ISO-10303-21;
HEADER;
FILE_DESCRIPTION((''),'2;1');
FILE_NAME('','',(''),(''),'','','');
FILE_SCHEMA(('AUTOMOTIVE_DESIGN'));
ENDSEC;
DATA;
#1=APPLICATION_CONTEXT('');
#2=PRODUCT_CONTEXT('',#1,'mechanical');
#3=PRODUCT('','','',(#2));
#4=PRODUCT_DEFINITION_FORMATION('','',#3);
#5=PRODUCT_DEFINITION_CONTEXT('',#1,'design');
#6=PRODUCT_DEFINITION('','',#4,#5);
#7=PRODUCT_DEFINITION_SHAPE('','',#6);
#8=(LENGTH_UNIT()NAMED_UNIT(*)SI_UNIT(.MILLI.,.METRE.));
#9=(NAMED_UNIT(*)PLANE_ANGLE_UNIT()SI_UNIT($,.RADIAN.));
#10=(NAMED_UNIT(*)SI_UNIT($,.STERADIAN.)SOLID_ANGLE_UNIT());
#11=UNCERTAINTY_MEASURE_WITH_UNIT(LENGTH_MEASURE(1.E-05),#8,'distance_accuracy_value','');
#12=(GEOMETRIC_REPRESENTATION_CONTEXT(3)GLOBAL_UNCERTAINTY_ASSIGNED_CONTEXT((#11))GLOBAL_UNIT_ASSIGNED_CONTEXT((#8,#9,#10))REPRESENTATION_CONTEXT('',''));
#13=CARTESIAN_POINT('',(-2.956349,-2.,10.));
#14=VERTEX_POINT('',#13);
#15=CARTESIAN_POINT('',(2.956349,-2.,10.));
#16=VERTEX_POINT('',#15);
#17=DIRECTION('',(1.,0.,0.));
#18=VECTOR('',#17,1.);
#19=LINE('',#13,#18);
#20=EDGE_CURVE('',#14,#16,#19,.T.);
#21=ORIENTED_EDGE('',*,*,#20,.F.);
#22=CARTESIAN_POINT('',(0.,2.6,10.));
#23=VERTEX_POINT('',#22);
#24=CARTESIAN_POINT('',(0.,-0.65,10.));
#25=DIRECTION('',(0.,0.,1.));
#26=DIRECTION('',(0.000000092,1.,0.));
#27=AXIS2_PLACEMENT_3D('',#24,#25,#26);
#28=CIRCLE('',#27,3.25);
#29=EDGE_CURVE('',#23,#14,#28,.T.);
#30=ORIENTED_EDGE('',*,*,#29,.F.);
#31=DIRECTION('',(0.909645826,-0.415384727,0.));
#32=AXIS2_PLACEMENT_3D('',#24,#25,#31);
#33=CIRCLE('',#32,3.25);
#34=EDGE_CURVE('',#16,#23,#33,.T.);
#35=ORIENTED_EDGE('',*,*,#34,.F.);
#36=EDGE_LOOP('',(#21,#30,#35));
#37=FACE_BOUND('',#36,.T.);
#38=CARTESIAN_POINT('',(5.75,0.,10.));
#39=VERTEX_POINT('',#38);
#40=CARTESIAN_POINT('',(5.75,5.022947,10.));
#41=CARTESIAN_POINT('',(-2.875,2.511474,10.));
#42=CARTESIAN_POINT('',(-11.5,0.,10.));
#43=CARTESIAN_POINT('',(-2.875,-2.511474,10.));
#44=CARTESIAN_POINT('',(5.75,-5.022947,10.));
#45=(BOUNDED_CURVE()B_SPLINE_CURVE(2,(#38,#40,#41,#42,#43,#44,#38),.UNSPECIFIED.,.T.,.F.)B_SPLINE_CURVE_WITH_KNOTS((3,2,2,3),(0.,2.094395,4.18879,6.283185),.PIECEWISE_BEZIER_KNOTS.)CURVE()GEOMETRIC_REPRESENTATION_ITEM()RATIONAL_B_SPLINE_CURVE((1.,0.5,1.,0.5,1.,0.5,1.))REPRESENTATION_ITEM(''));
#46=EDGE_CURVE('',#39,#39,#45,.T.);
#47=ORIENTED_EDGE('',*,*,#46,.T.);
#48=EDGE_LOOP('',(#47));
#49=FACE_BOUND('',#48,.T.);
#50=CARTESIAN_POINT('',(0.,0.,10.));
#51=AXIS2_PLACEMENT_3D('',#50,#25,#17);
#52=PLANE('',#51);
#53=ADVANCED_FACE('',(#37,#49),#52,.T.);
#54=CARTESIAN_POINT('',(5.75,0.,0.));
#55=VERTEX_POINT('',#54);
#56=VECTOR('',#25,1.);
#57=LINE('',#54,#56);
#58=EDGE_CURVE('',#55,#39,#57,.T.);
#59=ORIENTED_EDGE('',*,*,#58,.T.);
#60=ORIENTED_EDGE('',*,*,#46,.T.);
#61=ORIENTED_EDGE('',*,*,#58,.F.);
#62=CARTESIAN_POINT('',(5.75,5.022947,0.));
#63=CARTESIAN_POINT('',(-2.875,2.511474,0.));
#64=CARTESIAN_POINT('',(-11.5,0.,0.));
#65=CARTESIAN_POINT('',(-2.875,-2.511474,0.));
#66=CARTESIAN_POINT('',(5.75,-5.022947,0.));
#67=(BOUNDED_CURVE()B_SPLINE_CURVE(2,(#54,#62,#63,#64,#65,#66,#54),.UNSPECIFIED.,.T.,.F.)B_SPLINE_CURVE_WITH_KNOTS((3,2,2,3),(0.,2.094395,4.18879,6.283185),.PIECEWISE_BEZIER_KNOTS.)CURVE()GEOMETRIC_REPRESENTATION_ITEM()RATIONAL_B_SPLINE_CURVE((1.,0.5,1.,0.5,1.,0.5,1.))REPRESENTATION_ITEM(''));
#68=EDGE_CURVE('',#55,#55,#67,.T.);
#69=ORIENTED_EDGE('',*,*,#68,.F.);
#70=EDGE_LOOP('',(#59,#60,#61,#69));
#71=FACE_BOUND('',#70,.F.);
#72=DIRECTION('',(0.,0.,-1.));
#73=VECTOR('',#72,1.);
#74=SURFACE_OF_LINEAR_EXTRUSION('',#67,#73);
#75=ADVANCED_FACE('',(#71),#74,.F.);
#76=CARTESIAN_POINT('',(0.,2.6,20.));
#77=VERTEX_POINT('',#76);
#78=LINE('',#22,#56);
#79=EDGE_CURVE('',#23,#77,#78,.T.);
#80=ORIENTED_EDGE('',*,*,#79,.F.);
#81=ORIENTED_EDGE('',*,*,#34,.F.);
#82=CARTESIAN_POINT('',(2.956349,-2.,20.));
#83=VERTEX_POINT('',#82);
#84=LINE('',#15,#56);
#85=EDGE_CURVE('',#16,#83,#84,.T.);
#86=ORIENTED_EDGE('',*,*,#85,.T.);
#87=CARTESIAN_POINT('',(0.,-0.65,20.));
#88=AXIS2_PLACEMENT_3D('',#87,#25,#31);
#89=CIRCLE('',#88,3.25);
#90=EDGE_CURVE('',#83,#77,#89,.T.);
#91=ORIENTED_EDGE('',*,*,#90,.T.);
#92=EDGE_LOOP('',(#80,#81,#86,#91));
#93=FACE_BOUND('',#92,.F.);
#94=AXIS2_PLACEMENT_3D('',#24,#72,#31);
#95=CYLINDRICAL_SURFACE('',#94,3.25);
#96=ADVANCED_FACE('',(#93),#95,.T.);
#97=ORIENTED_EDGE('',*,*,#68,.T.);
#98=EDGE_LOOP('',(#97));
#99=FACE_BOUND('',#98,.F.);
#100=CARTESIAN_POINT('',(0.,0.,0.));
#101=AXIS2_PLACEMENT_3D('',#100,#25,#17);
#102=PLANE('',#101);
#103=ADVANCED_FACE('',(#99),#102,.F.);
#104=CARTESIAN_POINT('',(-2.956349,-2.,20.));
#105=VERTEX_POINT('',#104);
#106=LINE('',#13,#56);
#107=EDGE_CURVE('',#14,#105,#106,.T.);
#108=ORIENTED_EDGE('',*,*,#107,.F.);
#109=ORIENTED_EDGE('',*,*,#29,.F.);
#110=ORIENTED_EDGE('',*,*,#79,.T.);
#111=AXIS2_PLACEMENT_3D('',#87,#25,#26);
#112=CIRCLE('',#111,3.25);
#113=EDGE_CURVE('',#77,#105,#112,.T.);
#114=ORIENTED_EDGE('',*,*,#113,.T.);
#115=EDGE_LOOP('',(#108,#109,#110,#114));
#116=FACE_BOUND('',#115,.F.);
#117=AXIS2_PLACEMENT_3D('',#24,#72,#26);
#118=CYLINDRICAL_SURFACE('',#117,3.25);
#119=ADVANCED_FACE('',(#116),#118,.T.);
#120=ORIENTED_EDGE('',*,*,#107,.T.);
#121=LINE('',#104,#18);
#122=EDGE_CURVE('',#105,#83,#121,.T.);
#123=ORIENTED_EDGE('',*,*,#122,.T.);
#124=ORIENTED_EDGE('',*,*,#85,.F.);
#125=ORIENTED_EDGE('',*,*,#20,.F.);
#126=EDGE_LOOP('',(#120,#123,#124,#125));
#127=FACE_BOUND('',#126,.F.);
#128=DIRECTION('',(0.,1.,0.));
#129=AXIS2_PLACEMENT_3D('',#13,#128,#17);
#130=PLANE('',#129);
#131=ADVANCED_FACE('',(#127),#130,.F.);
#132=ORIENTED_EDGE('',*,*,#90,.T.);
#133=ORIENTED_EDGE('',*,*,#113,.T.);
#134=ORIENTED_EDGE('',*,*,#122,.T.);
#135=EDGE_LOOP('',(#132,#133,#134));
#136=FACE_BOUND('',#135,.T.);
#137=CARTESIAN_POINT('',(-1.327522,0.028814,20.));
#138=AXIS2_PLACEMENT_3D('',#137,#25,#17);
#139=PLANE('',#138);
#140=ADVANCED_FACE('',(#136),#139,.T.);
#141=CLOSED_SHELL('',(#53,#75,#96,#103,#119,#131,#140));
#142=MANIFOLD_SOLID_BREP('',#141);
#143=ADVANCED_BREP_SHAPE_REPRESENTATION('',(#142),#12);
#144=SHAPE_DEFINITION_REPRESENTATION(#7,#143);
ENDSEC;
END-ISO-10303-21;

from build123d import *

# Parameters (mm, degrees)
F1_DEPTH = 10
F3_DEPTH = 10


with BuildPart() as f1:
    # F0 (on Top) → F1 (new body)
    with BuildSketch(Plane.XY):
        with BuildLine():
            add(Edge.make_bspline(
                [(5.75, 0), (5.75, 5.022947), (-2.875, 2.511474), (-11.5, 0), (-2.875, -2.511474), (5.75, -5.022947), (5.75, 0)],
                knots=[0, 0, 0, 2.094395, 2.094395, 4.18879, 4.18879, 6.283185, 6.283185, 6.283185], degree=2, weights=[1, 0.5, 1, 0.5, 1, 0.5, 1]))
        make_face()
    extrude(amount=F1_DEPTH)

    # F2 (on face) → F3 (join)
    with BuildSketch(Plane.XY.offset(10)):
        with BuildLine():
            Line((0, -0.65), (0, 0))
            Line((0, 0), (0, 2.6))
            ThreePointArc((0, 2.6), (-2.734045, 1.107128), (-2.956349, -2))
            Line((-2.956349, -2), (0, -2))
            Line((0, -2), (0, -0.65))
        make_face()
        with BuildLine():
            Line((0, 2.6), (0, 0))
            Line((0, 0), (0, -0.65))
            Line((0, -0.65), (0, -2))
            Line((0, -2), (2.956349, -2))
            ThreePointArc((2.956349, -2), (2.734045, 1.107128), (0, 2.6))
        make_face()
    extrude(amount=F3_DEPTH)


solid = f1.part
